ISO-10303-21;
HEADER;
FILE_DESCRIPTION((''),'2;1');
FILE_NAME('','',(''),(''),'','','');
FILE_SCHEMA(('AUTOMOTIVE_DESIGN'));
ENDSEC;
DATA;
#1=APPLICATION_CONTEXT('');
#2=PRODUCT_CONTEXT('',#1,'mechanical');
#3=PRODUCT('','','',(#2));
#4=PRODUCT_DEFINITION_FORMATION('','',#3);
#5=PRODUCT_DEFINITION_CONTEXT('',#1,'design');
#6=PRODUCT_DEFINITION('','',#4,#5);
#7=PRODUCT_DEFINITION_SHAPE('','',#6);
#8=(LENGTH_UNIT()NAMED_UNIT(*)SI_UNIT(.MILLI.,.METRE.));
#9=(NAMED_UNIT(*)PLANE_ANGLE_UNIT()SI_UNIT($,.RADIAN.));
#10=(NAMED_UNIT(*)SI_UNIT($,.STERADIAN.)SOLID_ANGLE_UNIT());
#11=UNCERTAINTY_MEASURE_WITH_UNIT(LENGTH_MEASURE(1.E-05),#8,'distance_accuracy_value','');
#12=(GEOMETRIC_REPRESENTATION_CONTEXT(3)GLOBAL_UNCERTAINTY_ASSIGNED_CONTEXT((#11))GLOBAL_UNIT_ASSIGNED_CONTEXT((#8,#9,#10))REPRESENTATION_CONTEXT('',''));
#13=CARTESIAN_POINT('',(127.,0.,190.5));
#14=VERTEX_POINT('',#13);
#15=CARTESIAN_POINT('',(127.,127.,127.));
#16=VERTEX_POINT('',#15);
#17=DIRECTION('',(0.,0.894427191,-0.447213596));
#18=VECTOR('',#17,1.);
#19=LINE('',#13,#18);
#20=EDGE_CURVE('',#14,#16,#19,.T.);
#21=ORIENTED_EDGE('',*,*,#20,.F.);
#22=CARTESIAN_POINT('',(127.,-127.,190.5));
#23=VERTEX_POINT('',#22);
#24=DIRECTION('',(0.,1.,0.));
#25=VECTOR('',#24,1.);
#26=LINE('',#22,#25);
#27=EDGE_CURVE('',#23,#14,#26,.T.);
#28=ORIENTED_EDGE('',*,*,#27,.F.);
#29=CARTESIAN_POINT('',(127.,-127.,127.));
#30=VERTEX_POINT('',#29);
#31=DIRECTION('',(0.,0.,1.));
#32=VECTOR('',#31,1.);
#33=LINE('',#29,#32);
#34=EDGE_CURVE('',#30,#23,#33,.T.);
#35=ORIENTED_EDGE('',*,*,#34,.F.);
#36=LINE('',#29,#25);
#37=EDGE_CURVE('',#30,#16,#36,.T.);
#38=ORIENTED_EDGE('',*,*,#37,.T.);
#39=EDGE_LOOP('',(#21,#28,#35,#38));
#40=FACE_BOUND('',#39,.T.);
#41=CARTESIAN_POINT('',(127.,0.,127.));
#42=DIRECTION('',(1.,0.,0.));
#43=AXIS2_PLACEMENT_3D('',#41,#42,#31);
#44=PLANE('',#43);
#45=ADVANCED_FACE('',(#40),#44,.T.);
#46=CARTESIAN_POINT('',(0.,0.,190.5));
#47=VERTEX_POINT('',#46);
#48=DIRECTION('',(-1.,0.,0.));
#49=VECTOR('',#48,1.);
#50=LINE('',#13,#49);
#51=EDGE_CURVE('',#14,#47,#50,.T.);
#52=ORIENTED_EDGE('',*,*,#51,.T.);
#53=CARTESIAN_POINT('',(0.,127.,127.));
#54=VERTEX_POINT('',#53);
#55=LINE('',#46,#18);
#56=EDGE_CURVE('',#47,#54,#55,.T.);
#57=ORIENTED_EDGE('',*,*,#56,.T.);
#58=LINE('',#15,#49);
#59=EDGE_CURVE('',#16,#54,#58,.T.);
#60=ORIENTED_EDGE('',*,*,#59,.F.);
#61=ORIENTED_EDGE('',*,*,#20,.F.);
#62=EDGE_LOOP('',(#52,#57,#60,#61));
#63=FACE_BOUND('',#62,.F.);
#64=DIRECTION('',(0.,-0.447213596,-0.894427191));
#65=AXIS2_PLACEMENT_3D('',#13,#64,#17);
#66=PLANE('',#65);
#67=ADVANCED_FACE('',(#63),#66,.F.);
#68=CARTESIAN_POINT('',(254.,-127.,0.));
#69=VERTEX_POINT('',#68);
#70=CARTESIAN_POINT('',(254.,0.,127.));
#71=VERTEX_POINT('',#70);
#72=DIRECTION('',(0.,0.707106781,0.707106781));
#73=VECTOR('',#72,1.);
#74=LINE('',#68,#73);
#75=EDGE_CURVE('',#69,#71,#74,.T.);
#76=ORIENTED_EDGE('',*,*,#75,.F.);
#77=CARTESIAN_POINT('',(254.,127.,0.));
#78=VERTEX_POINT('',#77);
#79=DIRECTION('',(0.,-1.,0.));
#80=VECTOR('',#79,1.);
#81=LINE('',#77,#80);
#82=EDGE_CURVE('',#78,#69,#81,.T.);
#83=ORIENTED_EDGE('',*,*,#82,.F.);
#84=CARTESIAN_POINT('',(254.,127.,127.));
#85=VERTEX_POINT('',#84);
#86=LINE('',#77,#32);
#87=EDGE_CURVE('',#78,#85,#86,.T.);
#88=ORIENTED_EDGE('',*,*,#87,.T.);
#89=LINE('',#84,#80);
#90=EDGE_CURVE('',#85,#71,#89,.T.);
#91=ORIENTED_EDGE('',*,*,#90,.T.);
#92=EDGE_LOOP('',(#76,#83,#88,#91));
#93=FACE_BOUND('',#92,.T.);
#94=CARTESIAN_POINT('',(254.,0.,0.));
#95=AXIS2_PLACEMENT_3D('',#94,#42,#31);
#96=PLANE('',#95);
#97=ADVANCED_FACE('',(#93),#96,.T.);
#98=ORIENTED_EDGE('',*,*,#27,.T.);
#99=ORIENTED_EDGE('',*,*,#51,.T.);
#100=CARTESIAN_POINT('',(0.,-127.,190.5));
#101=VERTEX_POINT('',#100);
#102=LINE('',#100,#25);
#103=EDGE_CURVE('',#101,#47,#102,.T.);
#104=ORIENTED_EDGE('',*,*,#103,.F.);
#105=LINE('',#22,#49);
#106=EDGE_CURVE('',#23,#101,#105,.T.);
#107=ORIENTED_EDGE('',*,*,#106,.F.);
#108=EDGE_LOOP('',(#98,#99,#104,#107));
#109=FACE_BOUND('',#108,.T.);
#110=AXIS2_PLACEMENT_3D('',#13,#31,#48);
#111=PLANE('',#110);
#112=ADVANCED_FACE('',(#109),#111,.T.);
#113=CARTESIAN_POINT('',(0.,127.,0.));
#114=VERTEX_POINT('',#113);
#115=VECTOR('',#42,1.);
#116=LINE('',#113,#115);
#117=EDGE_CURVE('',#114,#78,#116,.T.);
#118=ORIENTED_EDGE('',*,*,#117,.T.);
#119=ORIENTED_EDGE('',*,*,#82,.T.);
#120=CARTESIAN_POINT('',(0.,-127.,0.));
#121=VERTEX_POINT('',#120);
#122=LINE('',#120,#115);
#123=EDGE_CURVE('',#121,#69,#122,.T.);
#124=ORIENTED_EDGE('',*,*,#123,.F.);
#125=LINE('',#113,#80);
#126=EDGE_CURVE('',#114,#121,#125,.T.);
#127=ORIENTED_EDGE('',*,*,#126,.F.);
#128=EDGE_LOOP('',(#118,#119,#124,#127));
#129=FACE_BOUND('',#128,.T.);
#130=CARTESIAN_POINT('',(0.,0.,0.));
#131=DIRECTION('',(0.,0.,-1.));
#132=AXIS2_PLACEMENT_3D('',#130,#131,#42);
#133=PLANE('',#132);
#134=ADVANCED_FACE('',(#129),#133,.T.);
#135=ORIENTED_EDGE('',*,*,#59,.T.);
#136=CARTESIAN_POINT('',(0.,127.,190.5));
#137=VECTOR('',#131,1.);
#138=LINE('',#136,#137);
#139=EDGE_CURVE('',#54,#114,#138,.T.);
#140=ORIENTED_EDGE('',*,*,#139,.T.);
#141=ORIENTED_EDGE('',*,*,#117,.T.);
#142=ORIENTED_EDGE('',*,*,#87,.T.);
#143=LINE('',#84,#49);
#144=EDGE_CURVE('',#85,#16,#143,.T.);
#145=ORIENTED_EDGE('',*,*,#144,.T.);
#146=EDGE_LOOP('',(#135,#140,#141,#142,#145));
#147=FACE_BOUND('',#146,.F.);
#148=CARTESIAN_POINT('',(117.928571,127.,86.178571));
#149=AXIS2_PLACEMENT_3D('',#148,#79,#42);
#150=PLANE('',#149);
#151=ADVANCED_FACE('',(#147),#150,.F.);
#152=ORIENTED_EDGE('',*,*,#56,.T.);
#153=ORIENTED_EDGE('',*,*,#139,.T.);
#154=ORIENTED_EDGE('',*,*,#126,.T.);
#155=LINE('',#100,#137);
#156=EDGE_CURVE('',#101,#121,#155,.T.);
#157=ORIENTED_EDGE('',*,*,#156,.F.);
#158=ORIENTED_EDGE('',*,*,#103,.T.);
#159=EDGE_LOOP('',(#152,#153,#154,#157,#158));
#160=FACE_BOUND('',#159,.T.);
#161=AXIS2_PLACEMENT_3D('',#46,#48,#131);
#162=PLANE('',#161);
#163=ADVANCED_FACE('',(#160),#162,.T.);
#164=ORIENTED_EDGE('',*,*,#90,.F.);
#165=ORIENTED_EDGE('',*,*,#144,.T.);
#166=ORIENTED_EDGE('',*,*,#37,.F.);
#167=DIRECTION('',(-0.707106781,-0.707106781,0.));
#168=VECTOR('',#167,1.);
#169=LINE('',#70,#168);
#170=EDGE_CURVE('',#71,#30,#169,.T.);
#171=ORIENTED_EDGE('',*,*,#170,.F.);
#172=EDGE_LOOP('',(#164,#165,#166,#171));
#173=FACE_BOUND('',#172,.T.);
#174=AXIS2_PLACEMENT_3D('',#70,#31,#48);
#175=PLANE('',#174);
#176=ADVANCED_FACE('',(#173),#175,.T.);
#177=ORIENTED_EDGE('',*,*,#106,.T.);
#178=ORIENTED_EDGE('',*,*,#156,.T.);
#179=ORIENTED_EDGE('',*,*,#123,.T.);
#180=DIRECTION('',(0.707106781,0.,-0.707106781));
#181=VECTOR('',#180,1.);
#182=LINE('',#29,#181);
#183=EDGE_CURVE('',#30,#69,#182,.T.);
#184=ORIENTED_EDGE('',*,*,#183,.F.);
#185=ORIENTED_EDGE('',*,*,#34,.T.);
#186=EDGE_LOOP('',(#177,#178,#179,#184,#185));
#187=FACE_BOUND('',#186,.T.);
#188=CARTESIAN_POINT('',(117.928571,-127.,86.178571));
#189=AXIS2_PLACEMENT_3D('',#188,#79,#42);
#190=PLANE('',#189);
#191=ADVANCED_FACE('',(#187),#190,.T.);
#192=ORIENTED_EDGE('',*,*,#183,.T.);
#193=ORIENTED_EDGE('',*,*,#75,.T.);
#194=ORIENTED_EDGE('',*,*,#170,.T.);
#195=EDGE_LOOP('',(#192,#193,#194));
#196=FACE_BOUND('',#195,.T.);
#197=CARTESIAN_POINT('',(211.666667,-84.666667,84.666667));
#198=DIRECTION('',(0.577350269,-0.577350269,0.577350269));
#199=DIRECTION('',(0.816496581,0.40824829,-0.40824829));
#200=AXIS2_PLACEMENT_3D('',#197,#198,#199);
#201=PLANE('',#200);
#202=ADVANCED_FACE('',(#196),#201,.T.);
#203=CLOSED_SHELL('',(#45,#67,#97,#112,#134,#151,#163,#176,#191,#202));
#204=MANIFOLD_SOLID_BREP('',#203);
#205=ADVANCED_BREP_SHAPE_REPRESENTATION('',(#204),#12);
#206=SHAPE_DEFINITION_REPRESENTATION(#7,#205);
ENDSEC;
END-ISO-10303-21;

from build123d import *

# Parameters (mm, degrees)
F1_DEPTH = 127
F3_DEPTH = 127
F7_DEPTH = 246.888


with BuildPart() as f1:
    # F0 (on Front) → F1 (new body, symmetric)
    with BuildSketch(Plane.XZ):
        Polygon((0, 190.5), (0, 0), (254, 0), (254, 127), (127, 127), (127, 190.5), align=None)
    extrude(amount=F1_DEPTH, both=True)

    # F2 (on face) → F3 (cut)
    with BuildSketch(Plane.YZ.offset(127)):
        Polygon((127, 190.5), (0, 190.5), (127, 127), align=None)
    extrude(amount=-F3_DEPTH, mode=Mode.SUBTRACT)

    # F6 (on 3pt) → F7 (cut)
    with BuildSketch(Plane(origin=(127, -127, 127), x_dir=(0.8164965809, 0.4082482905, -0.4082482905), z_dir=(0.5773502692, -0.5773502692, 0.5773502692))):
        Polygon((155.5425986667, 89.8025612107), (0, 0), (155.5425986667, -89.8025612107), align=None)
    extrude(amount=F7_DEPTH, mode=Mode.SUBTRACT)


solid = f1.part
